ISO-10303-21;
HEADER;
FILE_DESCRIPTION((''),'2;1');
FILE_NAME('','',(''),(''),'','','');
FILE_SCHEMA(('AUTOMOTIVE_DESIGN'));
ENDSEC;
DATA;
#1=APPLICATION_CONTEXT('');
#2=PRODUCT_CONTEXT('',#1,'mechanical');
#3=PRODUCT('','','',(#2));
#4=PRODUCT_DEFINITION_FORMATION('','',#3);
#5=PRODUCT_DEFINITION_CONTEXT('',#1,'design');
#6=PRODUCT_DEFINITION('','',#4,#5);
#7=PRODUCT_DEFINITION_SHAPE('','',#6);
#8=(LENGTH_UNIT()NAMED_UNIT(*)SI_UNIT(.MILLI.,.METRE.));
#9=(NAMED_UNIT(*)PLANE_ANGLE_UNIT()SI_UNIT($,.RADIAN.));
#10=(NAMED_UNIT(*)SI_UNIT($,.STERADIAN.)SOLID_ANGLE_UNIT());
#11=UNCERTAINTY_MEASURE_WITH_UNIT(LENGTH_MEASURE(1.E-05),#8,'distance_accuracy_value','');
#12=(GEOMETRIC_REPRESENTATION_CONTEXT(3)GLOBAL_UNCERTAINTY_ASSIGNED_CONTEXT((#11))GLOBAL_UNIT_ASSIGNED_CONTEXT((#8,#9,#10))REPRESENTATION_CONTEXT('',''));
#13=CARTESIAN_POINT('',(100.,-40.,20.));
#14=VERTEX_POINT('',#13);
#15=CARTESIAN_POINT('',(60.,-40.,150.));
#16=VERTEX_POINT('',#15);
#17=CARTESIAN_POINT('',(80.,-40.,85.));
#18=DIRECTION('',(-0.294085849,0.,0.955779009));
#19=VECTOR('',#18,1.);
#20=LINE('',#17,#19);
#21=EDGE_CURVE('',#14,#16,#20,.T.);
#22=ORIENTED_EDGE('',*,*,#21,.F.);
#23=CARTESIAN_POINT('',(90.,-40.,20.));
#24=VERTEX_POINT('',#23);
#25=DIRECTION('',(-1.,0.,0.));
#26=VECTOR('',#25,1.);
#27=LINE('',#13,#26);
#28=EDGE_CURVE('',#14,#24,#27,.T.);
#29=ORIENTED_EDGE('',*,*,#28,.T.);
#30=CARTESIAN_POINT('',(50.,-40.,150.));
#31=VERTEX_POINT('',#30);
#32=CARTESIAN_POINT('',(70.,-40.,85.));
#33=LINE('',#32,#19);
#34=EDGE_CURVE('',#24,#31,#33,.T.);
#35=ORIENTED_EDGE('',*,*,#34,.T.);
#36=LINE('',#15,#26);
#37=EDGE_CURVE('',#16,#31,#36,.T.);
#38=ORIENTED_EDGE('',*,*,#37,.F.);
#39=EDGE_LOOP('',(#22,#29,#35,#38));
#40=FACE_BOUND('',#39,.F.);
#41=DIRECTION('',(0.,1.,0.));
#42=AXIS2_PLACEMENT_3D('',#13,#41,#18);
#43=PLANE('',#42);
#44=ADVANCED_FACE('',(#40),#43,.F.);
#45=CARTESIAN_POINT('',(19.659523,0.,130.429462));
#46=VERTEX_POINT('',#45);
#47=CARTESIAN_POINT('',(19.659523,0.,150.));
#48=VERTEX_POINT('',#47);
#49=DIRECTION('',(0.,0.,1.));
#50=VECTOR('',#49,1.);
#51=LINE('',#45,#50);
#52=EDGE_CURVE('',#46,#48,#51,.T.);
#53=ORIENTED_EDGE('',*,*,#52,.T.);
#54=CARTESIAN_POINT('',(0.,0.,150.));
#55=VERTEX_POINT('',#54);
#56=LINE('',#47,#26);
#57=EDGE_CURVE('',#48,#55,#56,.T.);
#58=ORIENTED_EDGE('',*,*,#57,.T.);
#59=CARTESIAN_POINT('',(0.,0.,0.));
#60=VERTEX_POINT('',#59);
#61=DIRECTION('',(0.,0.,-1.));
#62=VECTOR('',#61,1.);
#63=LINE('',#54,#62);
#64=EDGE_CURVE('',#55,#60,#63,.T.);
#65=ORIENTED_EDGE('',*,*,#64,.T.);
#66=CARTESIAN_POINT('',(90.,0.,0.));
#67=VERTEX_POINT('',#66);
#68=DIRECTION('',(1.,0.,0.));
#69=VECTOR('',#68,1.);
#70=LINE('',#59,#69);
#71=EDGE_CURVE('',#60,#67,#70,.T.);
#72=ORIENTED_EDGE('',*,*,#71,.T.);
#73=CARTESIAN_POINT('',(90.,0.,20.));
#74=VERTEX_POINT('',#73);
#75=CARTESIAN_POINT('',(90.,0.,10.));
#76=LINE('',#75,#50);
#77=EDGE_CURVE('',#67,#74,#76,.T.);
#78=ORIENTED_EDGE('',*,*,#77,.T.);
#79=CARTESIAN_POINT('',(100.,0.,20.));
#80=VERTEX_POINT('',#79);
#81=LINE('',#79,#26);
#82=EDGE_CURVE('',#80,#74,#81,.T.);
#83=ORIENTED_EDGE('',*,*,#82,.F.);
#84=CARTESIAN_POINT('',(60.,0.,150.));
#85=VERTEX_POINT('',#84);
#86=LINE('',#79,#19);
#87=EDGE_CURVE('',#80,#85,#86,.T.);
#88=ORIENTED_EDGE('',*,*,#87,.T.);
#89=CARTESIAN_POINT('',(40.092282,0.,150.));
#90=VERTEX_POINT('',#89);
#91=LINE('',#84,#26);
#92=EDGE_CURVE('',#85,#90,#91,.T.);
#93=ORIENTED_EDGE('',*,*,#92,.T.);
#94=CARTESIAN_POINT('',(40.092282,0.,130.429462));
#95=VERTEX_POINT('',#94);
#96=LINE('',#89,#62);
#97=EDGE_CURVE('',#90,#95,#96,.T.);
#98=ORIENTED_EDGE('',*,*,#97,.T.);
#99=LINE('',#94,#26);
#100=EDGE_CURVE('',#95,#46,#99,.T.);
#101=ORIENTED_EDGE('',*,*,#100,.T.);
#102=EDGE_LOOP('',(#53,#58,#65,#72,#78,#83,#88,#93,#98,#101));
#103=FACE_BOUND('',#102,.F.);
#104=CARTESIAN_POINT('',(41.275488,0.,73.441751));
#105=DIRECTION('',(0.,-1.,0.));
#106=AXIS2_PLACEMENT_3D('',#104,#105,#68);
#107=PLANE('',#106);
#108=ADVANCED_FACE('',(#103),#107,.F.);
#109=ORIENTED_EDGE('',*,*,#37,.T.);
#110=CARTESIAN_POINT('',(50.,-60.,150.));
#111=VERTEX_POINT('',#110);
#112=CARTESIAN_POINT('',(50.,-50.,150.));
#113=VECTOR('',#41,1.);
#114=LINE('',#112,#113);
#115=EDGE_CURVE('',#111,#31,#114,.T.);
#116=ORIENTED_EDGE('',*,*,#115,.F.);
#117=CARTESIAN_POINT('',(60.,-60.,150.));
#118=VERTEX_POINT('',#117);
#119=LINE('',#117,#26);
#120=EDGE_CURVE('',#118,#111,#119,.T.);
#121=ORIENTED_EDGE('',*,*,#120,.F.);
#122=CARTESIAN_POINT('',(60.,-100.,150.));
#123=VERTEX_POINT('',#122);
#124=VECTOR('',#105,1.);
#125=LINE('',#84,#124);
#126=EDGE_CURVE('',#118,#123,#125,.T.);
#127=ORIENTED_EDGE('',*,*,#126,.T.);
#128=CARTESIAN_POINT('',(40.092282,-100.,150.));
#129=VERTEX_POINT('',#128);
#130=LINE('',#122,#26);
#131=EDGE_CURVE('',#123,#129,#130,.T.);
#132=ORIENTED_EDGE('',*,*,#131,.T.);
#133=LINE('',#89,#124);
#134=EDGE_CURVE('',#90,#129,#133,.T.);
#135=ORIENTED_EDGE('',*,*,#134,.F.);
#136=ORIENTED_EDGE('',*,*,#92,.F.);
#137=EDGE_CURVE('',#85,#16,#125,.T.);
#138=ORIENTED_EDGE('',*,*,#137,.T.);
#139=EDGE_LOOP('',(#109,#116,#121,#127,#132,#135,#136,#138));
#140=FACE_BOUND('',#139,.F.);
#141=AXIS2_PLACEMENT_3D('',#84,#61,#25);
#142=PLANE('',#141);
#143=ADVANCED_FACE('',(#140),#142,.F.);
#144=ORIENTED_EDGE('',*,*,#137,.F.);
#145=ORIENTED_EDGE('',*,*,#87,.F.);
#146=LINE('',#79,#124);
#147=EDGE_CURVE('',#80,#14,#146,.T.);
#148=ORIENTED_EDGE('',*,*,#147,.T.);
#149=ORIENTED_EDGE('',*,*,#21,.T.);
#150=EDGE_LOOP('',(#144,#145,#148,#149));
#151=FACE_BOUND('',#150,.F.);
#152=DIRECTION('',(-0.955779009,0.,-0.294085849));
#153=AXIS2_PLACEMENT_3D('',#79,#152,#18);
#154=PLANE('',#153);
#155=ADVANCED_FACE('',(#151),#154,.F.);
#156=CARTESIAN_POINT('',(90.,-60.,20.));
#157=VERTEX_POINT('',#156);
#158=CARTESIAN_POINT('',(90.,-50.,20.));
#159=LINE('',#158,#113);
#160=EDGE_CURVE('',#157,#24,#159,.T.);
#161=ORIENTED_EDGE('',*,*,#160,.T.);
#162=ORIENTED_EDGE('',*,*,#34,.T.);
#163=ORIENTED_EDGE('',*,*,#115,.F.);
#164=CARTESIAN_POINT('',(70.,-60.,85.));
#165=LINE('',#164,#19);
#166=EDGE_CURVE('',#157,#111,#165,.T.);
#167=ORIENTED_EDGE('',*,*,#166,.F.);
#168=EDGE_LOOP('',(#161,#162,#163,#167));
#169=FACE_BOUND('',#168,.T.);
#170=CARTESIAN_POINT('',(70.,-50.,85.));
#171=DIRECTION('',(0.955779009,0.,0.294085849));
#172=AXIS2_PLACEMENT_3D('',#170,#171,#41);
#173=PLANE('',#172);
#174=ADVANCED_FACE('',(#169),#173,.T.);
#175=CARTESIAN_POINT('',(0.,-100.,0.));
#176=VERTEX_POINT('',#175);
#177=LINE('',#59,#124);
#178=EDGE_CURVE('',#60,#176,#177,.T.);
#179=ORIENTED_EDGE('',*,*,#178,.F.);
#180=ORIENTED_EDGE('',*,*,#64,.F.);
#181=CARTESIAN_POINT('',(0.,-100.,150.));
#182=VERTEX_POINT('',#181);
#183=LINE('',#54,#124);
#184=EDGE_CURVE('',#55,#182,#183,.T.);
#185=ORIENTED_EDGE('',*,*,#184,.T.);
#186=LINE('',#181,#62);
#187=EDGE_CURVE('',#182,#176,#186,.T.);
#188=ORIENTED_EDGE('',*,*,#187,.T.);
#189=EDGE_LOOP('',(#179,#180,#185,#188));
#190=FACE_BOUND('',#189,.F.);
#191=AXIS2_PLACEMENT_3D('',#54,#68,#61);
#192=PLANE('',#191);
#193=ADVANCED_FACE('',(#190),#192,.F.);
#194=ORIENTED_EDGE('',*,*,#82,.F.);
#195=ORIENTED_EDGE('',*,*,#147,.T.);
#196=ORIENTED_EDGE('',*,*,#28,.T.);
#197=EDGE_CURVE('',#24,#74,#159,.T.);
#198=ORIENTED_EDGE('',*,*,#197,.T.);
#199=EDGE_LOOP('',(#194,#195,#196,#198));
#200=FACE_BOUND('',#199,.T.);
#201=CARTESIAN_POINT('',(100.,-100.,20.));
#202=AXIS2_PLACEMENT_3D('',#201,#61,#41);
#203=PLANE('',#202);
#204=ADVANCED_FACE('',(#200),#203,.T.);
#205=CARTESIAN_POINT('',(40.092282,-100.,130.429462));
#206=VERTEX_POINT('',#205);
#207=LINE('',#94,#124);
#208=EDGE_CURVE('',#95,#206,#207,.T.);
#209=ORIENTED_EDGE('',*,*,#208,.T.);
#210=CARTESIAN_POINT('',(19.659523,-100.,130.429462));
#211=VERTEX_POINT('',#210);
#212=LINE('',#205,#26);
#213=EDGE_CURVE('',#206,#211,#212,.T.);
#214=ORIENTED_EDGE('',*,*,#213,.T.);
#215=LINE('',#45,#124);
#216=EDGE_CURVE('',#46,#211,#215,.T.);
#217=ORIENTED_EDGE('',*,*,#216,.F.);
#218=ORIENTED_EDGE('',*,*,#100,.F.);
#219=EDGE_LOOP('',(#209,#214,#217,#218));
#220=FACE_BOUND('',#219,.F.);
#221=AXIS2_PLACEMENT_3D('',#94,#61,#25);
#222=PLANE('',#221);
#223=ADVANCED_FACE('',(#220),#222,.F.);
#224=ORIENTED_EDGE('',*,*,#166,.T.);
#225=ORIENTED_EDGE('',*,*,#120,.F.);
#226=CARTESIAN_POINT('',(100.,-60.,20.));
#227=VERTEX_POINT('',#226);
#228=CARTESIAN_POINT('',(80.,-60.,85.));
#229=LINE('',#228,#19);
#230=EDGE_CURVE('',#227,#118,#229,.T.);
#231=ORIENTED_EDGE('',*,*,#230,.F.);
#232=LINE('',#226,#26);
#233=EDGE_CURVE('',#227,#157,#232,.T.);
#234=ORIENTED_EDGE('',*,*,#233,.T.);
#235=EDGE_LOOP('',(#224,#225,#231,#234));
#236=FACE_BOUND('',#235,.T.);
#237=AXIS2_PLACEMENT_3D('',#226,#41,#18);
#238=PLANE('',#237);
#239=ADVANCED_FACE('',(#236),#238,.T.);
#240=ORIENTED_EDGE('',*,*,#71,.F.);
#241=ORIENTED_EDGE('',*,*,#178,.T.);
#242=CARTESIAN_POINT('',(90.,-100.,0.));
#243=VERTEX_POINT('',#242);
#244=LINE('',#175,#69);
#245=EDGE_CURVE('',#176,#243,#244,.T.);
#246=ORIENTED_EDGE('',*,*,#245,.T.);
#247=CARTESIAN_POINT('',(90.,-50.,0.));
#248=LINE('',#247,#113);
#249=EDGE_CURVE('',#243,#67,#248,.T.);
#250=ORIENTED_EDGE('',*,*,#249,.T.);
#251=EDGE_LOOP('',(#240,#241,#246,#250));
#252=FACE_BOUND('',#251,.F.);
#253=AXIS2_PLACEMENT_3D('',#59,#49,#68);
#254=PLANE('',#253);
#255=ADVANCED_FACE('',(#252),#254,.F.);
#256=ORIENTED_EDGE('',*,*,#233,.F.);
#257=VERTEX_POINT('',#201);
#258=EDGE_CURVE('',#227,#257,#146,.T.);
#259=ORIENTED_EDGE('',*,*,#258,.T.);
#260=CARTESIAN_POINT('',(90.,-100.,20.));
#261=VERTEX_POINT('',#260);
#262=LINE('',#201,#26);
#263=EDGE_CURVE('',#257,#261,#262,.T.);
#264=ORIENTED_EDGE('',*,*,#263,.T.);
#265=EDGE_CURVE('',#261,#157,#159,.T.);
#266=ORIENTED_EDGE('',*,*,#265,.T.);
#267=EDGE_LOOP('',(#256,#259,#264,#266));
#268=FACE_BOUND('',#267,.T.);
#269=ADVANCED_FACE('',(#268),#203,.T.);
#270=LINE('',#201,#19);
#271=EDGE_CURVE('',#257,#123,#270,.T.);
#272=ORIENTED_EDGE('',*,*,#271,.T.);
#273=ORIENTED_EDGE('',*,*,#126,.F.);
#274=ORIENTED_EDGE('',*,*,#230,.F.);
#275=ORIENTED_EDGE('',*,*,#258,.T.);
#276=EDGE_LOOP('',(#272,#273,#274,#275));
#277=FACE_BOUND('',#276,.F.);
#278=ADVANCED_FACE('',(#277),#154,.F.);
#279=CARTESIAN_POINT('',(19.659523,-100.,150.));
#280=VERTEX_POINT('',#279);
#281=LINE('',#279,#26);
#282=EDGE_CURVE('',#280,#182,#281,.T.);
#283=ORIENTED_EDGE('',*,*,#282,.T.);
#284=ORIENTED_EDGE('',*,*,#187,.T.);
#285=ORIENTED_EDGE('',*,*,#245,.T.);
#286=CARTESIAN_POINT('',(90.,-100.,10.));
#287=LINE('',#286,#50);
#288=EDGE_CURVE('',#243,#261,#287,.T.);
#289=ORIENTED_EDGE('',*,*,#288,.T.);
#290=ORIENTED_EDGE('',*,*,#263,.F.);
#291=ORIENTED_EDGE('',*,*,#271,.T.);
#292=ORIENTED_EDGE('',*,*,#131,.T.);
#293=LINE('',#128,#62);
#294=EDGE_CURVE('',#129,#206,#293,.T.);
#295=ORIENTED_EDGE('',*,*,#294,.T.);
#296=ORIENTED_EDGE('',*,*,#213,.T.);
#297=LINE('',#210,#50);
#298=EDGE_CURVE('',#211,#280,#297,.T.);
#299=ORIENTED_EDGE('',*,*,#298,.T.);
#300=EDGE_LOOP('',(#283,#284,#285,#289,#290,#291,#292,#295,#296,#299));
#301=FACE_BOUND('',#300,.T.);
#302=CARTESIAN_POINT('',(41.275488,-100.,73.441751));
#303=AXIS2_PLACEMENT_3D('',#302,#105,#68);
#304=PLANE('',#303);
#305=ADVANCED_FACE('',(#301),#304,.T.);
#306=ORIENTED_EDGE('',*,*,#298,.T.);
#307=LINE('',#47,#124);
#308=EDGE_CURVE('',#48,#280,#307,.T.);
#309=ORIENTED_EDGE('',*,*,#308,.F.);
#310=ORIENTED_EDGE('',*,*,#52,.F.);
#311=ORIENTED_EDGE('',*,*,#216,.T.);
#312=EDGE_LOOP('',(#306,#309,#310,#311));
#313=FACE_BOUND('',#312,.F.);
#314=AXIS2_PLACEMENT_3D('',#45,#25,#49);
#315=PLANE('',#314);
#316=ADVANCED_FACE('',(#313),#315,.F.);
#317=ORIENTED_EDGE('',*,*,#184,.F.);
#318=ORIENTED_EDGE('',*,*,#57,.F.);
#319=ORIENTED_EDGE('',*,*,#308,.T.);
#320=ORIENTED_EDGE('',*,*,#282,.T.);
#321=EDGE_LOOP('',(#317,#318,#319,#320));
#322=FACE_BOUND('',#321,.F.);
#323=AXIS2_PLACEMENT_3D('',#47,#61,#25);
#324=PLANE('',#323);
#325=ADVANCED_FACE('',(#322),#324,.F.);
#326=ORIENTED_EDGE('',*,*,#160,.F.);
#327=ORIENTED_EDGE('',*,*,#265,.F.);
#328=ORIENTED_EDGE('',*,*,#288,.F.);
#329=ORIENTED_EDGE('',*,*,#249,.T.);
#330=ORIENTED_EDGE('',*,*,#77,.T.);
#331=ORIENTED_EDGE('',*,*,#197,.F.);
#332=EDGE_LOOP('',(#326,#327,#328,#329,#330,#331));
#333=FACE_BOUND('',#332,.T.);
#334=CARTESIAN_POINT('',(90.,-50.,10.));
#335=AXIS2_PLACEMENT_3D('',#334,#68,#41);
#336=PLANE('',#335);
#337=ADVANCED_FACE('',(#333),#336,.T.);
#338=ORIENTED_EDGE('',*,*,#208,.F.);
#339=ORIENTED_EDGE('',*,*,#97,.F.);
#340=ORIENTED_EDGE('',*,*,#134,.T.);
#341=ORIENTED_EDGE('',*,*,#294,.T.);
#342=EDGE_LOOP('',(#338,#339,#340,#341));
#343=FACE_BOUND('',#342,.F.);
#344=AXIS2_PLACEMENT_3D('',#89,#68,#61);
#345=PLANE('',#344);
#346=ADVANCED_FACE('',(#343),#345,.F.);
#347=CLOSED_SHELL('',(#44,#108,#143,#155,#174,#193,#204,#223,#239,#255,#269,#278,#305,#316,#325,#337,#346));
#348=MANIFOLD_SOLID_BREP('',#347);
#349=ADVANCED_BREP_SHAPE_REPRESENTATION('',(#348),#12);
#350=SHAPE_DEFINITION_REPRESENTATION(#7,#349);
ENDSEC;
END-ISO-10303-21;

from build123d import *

# Parameters (mm, degrees)
F1_DEPTH   = 100
F1_FACE1_W = 100
F1_FACE1_H = 20
F2_W       = 20
F2_H       = 136.0147050874
F3_DEPTH   = 10


with BuildPart() as f1:
    # F0 (on Front) → F1 (new body)
    with BuildSketch(Plane.XZ):
        Polygon((0, 150), (0, 0), (100, 0), (100, 20), (60, 150), (40.0922819972, 150), (40.0922819972, 130.4294615984), (19.6595229208, 130.4294615984), (19.6595229208, 150), align=None)
    extrude(amount=F1_DEPTH)

    # F1_face1 (on face) + F2 (on face) → F3 (cut)
    with BuildSketch(Plane(origin=(100, -50, 10), x_dir=(0, 1, 0), z_dir=(1, 0, 0))):
        Rectangle(F1_FACE1_W, F1_FACE1_H)
    with BuildSketch(Plane(origin=(96.972972973, 0, 29.8378378378), x_dir=(0, 1, 0), z_dir=(0.9557790087, 0, 0.2940858488))):
        with Locations((-50, 57.7143478344)):
            Rectangle(F2_W, F2_H)
    extrude(amount=-F3_DEPTH, dir=(1, 0, 0), mode=Mode.SUBTRACT)


solid = f1.part
